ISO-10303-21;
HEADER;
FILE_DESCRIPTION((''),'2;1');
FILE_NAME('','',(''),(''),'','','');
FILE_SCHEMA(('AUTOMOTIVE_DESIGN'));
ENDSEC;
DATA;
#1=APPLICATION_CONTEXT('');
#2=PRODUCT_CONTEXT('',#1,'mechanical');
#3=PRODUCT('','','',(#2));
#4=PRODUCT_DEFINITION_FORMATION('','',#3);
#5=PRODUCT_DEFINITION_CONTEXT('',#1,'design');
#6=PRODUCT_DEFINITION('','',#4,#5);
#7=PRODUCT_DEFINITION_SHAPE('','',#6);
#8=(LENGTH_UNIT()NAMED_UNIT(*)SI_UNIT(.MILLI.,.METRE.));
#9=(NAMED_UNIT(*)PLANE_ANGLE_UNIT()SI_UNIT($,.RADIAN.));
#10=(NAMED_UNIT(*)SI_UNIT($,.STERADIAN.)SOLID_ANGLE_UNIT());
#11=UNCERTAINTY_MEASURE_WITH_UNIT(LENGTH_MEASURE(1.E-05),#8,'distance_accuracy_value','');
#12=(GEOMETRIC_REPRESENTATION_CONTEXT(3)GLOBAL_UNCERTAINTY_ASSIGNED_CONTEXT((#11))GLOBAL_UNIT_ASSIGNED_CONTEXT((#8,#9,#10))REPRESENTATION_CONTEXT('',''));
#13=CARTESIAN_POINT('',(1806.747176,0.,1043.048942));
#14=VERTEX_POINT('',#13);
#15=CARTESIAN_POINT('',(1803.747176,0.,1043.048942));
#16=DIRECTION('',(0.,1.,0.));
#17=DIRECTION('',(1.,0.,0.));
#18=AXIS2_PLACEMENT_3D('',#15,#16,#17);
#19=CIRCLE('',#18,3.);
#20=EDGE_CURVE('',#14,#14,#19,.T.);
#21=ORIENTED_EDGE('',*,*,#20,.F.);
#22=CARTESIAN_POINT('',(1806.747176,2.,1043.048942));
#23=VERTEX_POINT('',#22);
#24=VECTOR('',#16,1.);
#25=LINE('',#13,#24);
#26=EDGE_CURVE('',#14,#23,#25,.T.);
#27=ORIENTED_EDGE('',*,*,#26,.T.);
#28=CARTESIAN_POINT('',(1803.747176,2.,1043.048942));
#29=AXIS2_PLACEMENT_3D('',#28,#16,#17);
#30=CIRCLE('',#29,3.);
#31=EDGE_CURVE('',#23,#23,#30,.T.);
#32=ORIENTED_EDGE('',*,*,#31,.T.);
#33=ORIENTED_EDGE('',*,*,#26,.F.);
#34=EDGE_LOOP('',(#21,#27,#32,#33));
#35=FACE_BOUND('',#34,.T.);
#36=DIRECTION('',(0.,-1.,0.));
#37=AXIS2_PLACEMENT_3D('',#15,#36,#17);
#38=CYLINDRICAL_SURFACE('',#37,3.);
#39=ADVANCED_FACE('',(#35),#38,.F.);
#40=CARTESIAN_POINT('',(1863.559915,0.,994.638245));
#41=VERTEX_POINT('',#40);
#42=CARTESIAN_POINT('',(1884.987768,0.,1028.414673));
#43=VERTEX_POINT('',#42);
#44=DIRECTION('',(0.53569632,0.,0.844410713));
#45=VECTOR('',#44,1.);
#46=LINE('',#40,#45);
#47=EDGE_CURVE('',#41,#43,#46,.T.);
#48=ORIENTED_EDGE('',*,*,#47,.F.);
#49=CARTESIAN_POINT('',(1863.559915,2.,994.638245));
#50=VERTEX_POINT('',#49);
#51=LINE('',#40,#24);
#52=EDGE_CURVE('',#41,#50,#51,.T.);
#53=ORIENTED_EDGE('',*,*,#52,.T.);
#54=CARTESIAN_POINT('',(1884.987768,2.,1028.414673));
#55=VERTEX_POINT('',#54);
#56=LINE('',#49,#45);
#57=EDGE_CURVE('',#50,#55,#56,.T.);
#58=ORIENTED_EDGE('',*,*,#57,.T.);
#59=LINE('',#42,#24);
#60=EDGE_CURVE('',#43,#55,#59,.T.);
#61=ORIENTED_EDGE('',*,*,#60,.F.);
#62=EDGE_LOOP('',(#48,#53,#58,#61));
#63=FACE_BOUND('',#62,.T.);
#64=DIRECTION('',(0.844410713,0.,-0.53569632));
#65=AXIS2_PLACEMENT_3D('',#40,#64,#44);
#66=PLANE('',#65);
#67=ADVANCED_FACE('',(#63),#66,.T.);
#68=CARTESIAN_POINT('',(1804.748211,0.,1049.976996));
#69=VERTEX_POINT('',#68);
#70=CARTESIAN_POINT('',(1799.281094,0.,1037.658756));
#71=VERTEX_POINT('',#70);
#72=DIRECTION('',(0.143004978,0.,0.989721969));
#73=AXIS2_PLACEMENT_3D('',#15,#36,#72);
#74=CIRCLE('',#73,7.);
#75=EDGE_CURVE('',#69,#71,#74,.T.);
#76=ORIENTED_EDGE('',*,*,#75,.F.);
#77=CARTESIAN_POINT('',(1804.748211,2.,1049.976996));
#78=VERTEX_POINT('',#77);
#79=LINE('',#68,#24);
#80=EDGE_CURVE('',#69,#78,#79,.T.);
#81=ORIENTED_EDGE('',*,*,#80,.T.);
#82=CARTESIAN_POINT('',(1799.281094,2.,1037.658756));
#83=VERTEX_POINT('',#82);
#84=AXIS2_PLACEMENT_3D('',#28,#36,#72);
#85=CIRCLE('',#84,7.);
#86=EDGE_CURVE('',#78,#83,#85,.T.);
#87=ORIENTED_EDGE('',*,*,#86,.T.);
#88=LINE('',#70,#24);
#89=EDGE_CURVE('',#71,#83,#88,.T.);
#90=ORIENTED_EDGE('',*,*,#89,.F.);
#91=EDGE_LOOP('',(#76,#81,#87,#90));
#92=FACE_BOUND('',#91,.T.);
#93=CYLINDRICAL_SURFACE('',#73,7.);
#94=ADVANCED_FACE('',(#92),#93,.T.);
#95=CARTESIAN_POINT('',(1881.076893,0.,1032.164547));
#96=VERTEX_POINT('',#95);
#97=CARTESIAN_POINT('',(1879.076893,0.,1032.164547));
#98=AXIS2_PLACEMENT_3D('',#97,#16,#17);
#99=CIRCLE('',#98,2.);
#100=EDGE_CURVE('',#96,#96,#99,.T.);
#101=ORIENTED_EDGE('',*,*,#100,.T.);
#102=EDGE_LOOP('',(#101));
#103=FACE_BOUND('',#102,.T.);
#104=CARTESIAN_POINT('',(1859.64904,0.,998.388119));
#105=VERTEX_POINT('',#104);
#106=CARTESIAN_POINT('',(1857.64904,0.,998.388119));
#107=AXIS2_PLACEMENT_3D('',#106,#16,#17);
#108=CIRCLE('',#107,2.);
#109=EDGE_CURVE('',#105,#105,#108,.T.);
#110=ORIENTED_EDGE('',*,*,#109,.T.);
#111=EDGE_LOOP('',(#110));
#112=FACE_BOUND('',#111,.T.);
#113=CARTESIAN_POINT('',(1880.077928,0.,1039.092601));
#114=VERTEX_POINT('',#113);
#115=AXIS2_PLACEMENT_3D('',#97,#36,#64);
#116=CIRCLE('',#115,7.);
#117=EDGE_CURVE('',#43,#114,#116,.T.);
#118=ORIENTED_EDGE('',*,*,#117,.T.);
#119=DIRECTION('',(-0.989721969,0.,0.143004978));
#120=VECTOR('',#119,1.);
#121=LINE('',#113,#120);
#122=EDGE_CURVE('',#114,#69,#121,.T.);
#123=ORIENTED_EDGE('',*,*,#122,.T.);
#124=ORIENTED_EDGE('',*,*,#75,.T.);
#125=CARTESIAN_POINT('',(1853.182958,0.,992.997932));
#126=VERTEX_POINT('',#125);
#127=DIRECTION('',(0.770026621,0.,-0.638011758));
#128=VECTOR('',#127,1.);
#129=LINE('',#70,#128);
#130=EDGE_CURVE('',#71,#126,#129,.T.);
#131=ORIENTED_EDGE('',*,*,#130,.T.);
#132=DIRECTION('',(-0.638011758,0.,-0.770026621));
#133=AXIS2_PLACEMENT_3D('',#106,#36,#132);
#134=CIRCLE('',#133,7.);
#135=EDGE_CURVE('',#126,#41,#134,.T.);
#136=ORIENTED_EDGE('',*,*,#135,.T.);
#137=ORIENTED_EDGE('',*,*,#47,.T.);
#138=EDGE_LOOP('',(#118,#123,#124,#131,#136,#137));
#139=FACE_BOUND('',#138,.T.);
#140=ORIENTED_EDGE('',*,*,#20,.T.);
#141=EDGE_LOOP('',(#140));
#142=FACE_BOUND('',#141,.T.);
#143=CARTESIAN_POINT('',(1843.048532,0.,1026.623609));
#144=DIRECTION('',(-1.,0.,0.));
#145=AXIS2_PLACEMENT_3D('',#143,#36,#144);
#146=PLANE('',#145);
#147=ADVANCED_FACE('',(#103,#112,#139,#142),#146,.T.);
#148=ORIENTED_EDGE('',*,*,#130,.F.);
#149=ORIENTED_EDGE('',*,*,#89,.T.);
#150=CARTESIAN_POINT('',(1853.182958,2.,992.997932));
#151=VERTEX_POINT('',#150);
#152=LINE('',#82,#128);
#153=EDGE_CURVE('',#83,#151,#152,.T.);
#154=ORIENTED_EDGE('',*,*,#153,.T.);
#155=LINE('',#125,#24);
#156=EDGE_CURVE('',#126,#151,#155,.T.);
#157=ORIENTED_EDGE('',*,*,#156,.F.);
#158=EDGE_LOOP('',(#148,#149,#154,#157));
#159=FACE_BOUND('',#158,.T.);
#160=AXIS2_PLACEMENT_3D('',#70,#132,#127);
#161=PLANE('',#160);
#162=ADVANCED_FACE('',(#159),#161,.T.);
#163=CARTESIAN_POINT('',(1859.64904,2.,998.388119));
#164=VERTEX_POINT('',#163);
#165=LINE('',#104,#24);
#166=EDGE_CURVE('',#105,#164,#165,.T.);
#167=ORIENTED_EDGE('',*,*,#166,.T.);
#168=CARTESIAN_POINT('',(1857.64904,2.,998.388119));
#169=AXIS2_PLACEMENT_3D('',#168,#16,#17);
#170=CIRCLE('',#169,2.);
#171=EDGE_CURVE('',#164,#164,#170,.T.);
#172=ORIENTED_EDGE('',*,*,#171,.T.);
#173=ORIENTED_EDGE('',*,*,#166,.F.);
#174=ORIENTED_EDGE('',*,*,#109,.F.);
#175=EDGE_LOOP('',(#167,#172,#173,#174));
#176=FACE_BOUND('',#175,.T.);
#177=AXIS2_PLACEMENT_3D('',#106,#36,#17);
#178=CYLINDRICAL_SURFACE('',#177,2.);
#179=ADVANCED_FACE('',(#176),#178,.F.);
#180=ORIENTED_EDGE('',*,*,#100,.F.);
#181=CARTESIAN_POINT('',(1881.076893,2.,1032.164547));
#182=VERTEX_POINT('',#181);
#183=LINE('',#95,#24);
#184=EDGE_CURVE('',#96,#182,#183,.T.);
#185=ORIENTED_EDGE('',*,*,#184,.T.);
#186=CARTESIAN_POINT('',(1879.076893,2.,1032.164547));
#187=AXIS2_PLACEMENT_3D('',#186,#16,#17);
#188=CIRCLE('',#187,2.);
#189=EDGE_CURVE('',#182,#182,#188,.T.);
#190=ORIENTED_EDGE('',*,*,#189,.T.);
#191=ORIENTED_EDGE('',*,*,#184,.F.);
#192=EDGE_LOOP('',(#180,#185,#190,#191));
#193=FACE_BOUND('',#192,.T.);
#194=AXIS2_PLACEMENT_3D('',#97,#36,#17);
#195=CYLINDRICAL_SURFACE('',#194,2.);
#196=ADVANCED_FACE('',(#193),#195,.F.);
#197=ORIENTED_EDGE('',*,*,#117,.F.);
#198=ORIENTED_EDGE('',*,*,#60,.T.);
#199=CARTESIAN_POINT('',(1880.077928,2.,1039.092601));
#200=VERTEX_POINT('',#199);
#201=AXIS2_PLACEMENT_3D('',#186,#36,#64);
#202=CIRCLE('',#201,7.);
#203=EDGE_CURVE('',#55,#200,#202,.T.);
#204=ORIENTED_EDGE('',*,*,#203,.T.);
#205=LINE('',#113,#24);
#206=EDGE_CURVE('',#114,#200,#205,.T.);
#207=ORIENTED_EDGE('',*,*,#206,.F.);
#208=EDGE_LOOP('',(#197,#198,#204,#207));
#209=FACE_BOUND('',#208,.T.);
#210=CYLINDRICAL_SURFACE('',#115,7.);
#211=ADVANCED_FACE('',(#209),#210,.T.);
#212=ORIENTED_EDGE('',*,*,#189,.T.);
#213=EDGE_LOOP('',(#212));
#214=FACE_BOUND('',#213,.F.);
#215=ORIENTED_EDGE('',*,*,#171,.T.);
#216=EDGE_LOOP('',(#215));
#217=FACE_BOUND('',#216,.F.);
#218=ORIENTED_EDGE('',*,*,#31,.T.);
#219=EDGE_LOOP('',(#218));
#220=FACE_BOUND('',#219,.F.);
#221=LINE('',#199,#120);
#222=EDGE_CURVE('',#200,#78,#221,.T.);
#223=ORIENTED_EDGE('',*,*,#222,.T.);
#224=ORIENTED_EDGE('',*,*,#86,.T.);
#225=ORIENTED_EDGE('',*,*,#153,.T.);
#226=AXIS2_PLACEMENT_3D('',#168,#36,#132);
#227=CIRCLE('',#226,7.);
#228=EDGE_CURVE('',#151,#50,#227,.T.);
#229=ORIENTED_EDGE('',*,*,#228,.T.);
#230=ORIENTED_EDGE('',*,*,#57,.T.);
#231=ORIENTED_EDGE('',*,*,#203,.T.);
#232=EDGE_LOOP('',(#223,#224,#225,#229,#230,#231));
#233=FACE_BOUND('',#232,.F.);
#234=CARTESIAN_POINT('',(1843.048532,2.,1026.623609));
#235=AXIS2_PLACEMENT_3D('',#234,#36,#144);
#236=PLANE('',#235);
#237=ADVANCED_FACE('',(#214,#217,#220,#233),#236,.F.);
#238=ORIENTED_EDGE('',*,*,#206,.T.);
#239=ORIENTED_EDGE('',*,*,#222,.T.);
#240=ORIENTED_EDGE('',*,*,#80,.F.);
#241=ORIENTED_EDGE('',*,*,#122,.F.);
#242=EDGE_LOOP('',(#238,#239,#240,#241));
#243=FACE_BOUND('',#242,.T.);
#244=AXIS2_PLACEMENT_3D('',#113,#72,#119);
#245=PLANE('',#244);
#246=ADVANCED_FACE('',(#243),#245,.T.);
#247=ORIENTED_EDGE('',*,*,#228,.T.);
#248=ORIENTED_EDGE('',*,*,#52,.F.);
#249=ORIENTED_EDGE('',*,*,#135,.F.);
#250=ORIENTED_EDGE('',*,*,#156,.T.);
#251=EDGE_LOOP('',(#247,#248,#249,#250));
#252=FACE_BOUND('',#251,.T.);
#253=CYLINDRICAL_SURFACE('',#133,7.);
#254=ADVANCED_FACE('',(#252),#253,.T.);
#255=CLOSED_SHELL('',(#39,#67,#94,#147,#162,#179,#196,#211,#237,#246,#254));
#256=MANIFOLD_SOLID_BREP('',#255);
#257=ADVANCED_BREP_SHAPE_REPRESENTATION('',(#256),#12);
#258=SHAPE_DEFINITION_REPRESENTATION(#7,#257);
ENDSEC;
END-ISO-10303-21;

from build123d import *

# Parameters (mm, degrees)
SZKIC1_R                    = 3
SZKIC1_R_2                  = 2
DODANIE_WYCI_GNI_CIE1_DEPTH = 2


with BuildPart() as part:
    # Szkic1 → Dodanie-wyciągnięcie1 (new body)
    with BuildSketch(Plane(origin=(0, 0, 0), x_dir=(1, 0, 0), z_dir=(0, 1, 0))):
        with BuildLine():
            Line((1880.077927524, -1039.092601156), (1804.748211263, -1049.976995683))
            ThreePointArc((1804.748211263, -1049.976995683), (1797.349020556, -1045.888590036), (1799.281094114, -1037.658755553))
            Line((1799.281094114, -1037.658755553), (1853.18295757, -992.997932497))
            ThreePointArc((1853.18295757, -992.997932497), (1858.741977398, -991.473967588), (1863.559914868, -994.638244602))
            Line((1863.559914868, -994.638244602), (1884.987767673, -1028.414673131))
            ThreePointArc((1884.987767673, -1028.414673131), (1885.436779561, -1035.088900099), (1880.077927524, -1039.092601156))
        make_face()
        with Locations((1803.747176419, -1043.048941898)):
            Circle(SZKIC1_R, mode=Mode.SUBTRACT)
        with Locations((1857.649039875, -998.388118843)):
            Circle(SZKIC1_R_2, mode=Mode.SUBTRACT)
        with Locations((1879.076892681, -1032.164547372)):
            Circle(SZKIC1_R_2, mode=Mode.SUBTRACT)
    extrude(amount=DODANIE_WYCI_GNI_CIE1_DEPTH)


solid = part.part
